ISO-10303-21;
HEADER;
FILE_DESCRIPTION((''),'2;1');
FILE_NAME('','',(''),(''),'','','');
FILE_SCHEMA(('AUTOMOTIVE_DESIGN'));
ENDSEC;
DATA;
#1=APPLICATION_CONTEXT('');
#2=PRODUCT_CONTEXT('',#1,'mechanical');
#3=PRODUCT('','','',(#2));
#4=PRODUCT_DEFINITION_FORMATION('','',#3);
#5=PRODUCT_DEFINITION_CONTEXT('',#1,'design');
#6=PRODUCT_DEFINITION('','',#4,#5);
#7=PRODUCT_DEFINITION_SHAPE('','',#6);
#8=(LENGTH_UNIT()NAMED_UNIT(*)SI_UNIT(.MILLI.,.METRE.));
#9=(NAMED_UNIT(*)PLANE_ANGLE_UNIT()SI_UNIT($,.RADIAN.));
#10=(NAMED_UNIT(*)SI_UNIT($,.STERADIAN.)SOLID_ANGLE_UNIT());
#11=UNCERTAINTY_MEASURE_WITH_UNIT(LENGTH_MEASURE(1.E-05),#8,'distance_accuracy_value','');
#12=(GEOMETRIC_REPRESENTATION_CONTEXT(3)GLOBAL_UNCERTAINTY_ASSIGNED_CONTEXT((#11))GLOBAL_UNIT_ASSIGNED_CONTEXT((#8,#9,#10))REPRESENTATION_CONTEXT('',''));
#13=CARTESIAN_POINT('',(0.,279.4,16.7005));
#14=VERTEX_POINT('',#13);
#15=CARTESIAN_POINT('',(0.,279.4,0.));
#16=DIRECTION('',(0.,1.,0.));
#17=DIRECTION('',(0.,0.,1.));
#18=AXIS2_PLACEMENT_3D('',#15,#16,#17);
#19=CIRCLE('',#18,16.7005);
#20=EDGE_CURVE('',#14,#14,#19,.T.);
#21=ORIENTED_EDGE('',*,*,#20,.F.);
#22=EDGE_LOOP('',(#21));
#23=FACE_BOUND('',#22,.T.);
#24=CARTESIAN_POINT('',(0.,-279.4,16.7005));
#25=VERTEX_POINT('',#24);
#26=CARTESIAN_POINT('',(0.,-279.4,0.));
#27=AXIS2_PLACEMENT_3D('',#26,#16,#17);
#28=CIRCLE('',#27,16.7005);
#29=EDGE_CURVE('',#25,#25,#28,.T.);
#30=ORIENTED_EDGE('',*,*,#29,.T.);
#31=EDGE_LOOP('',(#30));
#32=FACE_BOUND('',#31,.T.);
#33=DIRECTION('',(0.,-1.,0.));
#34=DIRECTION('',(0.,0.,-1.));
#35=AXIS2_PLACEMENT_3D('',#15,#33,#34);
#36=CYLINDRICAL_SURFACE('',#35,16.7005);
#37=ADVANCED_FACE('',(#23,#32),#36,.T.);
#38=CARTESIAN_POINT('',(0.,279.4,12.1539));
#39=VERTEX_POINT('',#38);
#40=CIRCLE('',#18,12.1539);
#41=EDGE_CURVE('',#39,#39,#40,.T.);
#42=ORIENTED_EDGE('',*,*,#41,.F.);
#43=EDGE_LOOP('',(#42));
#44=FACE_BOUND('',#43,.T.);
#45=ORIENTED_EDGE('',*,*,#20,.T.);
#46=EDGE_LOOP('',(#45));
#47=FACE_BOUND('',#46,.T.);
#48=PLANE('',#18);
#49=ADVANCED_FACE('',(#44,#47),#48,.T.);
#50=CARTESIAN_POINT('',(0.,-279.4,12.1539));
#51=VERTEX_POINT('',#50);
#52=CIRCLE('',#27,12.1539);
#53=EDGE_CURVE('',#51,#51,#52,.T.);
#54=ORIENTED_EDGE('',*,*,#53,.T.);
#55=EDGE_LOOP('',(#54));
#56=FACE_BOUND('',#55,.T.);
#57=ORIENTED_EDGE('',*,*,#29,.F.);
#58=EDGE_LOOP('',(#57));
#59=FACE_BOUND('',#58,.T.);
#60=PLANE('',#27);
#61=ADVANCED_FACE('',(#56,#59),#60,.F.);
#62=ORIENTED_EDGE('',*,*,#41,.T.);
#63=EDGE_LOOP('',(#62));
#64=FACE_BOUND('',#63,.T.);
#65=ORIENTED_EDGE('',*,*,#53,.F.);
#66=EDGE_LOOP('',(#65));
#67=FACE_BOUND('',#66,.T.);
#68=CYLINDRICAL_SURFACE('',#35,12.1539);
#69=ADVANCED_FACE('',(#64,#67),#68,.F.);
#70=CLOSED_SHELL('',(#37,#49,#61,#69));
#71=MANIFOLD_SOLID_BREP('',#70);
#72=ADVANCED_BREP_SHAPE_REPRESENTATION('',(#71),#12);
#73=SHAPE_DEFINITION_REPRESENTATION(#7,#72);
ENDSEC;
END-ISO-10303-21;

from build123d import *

# Parameters (mm, degrees)
SKETCH1_R           = 16.7005
SKETCH1_R_2         = 12.1539
BOSS_EXTRUDE1_DEPTH = 279.4


with BuildPart() as part:
    # Sketch1 → Boss-Extrude1 (new, symmetric)
    with BuildSketch(Plane(origin=(0, 0, 0), x_dir=(1, 0, 0), z_dir=(0, 1, 0))):
        with Locations(Location((0, 0, 0), (0, 0, 270))):
            Circle(SKETCH1_R)
        with Locations(Location((0, 0, 0), (0, 0, 270))):
            Circle(SKETCH1_R_2, mode=Mode.SUBTRACT)
    extrude(amount=BOSS_EXTRUDE1_DEPTH, both=True)


solid = part.part
